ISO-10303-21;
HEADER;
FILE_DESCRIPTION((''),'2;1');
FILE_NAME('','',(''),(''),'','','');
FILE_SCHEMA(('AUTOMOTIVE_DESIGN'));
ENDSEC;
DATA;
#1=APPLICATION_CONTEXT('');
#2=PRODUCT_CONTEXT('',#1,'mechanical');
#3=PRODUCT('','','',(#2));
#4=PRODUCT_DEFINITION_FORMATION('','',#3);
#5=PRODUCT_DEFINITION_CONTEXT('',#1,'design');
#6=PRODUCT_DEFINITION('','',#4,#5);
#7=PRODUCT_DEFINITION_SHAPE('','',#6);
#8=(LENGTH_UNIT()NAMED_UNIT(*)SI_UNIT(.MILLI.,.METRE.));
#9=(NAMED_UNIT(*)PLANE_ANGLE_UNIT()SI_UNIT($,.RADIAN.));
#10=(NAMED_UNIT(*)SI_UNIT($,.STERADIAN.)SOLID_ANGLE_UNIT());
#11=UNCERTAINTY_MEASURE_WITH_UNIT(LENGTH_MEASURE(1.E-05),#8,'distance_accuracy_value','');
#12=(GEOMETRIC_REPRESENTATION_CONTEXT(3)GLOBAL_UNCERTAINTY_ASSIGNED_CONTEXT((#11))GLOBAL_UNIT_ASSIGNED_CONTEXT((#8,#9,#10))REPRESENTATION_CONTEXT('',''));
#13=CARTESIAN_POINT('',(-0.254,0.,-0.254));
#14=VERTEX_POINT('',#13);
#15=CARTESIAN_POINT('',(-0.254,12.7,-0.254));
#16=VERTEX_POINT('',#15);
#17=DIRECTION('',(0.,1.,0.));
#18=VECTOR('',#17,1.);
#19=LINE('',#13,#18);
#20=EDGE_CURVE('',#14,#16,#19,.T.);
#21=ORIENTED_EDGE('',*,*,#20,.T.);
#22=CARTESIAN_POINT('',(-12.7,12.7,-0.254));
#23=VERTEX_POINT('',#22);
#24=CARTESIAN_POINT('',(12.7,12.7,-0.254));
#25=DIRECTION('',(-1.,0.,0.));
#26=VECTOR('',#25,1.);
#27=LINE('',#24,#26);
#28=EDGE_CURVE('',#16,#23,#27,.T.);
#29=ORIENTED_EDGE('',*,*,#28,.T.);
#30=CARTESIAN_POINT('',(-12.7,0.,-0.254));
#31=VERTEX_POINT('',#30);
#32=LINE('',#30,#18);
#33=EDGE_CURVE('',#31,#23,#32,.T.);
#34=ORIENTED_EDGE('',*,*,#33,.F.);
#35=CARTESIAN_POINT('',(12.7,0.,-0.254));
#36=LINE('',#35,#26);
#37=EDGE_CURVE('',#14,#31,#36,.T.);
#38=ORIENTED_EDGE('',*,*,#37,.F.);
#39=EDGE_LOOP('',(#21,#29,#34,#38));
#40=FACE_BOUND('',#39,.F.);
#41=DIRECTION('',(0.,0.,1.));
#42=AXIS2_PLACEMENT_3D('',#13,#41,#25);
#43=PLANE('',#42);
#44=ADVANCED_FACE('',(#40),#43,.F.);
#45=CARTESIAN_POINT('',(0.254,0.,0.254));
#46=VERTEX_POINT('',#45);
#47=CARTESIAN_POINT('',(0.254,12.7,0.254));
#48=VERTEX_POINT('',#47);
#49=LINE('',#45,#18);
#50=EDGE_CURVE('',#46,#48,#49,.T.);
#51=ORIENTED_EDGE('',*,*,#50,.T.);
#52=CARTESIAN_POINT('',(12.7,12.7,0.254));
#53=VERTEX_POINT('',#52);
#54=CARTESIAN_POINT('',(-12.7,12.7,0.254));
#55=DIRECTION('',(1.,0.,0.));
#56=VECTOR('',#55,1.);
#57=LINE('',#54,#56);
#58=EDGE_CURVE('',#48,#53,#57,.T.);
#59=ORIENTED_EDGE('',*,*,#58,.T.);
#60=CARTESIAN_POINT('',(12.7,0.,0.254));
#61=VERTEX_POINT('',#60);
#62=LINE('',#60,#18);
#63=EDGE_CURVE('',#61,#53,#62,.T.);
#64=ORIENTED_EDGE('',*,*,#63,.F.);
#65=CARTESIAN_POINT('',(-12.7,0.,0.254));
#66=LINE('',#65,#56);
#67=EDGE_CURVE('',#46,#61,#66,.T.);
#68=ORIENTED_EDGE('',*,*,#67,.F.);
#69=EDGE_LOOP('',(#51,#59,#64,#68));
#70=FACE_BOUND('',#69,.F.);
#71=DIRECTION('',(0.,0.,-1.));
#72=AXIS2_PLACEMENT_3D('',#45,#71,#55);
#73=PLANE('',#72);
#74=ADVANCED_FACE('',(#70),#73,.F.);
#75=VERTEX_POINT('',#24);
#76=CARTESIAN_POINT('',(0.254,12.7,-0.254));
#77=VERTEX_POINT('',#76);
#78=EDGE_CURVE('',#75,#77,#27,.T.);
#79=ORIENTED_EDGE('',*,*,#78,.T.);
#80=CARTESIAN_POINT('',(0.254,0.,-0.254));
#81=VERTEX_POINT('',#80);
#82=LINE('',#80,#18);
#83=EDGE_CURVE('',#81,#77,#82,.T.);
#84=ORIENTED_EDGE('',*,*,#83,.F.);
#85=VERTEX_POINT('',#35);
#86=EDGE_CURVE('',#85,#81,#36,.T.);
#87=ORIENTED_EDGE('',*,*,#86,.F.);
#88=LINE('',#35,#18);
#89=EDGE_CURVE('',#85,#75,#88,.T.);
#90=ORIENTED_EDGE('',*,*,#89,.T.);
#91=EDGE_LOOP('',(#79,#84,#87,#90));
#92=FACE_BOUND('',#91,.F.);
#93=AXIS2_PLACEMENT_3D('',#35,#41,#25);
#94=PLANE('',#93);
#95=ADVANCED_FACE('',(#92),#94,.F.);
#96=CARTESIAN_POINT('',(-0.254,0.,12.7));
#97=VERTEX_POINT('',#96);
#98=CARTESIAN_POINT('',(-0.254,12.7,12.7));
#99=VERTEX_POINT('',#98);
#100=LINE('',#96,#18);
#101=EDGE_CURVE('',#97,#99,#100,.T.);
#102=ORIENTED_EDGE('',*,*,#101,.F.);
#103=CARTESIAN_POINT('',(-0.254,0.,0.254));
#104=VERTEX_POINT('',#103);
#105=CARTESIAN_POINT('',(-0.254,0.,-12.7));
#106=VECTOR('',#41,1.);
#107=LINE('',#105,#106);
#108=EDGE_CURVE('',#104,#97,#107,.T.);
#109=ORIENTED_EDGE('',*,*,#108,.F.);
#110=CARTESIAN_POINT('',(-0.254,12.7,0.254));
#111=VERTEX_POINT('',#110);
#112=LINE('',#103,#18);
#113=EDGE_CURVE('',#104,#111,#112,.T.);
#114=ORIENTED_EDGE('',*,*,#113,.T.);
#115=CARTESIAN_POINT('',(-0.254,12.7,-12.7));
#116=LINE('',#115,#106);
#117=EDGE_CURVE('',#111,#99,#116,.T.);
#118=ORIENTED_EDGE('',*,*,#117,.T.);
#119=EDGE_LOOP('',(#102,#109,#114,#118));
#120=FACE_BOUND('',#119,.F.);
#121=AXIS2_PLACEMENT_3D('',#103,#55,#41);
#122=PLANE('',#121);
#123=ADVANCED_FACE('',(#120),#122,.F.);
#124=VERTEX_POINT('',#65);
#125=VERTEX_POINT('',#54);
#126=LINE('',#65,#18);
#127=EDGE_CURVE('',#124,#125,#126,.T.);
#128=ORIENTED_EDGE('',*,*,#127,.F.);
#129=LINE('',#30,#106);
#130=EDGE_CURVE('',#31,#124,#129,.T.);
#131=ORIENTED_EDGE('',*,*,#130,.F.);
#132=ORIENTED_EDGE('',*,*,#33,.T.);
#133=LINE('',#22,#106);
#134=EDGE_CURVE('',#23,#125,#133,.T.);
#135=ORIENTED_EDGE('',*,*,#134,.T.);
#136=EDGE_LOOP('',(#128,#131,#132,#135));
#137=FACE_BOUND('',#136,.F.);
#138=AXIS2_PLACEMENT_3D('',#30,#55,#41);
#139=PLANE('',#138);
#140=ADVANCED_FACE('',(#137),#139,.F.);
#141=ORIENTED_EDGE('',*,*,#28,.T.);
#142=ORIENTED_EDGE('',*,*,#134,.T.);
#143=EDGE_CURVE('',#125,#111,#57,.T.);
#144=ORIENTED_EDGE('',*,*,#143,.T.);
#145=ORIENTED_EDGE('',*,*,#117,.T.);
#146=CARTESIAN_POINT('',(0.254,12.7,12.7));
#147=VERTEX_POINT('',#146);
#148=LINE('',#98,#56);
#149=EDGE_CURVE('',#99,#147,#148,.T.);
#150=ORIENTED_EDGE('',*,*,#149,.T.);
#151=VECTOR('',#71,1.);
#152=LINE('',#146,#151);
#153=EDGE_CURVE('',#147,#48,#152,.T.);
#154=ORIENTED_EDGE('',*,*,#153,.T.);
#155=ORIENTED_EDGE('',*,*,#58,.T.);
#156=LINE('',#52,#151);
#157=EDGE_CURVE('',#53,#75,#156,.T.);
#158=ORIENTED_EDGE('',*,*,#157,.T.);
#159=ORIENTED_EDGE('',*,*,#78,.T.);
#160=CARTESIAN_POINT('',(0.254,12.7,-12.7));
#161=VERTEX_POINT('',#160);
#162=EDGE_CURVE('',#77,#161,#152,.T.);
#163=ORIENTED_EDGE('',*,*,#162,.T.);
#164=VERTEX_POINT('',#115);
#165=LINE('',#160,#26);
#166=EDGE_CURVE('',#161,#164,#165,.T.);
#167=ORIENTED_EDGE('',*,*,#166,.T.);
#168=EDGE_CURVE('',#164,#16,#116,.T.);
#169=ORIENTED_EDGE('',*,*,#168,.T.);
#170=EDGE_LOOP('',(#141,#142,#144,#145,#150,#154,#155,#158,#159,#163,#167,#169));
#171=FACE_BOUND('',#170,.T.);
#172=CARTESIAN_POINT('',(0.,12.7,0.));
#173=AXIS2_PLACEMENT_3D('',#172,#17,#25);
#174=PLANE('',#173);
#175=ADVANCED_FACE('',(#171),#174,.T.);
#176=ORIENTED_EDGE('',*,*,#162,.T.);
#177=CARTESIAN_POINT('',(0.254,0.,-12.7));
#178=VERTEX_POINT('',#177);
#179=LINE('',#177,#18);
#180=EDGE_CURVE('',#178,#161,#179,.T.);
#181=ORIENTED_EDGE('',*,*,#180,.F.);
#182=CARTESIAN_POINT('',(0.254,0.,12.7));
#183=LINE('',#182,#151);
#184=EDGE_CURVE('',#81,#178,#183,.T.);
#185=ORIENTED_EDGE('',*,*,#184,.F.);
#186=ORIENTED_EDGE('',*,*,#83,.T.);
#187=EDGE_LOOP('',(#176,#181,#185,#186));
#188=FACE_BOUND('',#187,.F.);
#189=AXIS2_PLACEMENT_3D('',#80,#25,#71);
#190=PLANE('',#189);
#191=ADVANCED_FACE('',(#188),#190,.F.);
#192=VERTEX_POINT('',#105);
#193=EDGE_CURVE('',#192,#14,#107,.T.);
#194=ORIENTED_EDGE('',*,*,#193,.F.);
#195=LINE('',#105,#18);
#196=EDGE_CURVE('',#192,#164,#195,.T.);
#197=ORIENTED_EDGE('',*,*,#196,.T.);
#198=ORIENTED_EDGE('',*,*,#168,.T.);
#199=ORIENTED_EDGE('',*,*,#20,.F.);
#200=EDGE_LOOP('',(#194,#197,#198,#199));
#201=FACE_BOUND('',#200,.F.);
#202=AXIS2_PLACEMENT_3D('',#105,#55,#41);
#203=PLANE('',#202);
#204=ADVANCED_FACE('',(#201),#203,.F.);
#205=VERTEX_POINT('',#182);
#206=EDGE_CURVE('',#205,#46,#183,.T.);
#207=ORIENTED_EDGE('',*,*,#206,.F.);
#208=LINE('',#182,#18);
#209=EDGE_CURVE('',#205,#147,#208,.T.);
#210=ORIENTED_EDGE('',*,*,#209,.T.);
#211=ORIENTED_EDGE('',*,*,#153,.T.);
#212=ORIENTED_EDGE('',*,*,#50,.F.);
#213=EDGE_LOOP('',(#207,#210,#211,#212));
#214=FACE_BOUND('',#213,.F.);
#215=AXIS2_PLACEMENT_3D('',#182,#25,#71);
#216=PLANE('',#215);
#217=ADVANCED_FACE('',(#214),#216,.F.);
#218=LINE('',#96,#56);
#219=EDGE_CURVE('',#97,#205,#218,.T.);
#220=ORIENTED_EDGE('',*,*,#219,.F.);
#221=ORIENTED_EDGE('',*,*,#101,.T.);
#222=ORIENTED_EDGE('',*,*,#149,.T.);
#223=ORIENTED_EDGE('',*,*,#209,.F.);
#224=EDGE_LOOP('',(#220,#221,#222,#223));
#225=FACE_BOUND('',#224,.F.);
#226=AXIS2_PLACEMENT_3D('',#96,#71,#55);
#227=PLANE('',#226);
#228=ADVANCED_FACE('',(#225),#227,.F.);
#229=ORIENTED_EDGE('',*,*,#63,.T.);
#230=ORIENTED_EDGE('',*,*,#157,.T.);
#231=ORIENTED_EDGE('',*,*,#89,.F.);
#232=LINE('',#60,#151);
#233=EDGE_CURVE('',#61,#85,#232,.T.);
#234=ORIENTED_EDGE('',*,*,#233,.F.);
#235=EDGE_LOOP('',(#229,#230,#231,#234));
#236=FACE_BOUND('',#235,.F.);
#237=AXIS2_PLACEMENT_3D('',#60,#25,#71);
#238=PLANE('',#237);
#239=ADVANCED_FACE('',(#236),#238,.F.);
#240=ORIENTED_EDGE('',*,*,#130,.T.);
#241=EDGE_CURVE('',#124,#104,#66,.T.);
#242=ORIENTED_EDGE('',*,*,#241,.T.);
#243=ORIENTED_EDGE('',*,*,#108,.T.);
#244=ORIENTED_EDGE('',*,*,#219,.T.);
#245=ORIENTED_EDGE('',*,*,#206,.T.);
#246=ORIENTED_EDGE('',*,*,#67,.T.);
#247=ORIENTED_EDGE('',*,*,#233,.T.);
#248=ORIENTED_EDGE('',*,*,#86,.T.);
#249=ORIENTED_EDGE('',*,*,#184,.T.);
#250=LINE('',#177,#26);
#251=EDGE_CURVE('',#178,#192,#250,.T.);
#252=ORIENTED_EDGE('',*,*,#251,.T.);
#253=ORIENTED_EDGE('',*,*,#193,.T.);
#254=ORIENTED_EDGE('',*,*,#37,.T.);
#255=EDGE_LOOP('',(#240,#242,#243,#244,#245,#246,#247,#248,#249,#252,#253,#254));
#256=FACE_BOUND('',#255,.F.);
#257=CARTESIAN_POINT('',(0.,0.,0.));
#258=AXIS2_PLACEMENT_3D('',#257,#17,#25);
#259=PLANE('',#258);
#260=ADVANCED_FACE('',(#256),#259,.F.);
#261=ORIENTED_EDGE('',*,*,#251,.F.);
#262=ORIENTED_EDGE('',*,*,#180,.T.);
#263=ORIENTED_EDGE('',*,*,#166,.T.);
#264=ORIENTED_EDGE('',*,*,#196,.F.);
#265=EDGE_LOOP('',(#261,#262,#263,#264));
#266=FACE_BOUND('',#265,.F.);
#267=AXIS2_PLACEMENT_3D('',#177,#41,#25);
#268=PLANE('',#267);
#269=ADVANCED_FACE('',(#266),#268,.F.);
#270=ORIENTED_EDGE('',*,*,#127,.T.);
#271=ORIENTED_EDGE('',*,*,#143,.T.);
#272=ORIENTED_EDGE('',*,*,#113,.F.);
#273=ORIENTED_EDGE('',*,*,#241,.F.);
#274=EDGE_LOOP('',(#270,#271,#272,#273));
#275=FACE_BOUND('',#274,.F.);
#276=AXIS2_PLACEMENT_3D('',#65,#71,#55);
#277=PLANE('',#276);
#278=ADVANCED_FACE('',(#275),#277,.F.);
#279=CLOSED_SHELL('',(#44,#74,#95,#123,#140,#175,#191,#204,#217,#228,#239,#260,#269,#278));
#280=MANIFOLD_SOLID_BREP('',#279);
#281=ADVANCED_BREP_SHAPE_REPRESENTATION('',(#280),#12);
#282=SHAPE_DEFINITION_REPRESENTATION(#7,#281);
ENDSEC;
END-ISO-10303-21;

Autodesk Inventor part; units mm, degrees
ref_plane "YZ Plane" through (0, 0, 0) normal (1, 0, 0) x (0, 1, 0)
ref_plane "XZ Plane" through (0, 0, 0) normal (0, 1, 0) x (-1, 0, 0)
ref_plane "XY Plane" through (0, 0, 0) normal (0, 0, 1) x (1, 0, 0)
sketch "Sketch1" plane through (0, 0, 0) normal (0, 1, 0) x (-1, 0, 0)
  line L0 (-0.254, 12.7) -> (-0.254, -12.7)
  line L1 (-0.254, -12.7) -> (0.254, -12.7)
  line L2 (0.254, -12.7) -> (0.254, 12.7)
  line L3 (0.254, 12.7) -> (-0.254, 12.7)
  line L4 (-0.254, 12.7) -> (0.254, -12.7) construction
  line L5 (-0.254, -12.7) -> (0.254, 12.7) construction
  line L6 (12.7, 0.254) -> (-12.7, 0.254)
  line L7 (-12.7, 0.254) -> (-12.7, -0.254)
  line L8 (-12.7, -0.254) -> (12.7, -0.254)
  line L9 (12.7, -0.254) -> (12.7, 0.254)
  line L10 (12.7, 0.254) -> (-12.7, -0.254) construction
  line L11 (-12.7, 0.254) -> (12.7, -0.254) construction
  point P0 (0, 0)
  dimension "d0" = 25.4
  dimension "d1" = 0.508
  dimension "d2" = 25.4
  dimension "d3" = 0.508
extrude "Extrusion1" add sketch "Sketch1" along normal blind 12.7
properties part number "Case Button Jig"
